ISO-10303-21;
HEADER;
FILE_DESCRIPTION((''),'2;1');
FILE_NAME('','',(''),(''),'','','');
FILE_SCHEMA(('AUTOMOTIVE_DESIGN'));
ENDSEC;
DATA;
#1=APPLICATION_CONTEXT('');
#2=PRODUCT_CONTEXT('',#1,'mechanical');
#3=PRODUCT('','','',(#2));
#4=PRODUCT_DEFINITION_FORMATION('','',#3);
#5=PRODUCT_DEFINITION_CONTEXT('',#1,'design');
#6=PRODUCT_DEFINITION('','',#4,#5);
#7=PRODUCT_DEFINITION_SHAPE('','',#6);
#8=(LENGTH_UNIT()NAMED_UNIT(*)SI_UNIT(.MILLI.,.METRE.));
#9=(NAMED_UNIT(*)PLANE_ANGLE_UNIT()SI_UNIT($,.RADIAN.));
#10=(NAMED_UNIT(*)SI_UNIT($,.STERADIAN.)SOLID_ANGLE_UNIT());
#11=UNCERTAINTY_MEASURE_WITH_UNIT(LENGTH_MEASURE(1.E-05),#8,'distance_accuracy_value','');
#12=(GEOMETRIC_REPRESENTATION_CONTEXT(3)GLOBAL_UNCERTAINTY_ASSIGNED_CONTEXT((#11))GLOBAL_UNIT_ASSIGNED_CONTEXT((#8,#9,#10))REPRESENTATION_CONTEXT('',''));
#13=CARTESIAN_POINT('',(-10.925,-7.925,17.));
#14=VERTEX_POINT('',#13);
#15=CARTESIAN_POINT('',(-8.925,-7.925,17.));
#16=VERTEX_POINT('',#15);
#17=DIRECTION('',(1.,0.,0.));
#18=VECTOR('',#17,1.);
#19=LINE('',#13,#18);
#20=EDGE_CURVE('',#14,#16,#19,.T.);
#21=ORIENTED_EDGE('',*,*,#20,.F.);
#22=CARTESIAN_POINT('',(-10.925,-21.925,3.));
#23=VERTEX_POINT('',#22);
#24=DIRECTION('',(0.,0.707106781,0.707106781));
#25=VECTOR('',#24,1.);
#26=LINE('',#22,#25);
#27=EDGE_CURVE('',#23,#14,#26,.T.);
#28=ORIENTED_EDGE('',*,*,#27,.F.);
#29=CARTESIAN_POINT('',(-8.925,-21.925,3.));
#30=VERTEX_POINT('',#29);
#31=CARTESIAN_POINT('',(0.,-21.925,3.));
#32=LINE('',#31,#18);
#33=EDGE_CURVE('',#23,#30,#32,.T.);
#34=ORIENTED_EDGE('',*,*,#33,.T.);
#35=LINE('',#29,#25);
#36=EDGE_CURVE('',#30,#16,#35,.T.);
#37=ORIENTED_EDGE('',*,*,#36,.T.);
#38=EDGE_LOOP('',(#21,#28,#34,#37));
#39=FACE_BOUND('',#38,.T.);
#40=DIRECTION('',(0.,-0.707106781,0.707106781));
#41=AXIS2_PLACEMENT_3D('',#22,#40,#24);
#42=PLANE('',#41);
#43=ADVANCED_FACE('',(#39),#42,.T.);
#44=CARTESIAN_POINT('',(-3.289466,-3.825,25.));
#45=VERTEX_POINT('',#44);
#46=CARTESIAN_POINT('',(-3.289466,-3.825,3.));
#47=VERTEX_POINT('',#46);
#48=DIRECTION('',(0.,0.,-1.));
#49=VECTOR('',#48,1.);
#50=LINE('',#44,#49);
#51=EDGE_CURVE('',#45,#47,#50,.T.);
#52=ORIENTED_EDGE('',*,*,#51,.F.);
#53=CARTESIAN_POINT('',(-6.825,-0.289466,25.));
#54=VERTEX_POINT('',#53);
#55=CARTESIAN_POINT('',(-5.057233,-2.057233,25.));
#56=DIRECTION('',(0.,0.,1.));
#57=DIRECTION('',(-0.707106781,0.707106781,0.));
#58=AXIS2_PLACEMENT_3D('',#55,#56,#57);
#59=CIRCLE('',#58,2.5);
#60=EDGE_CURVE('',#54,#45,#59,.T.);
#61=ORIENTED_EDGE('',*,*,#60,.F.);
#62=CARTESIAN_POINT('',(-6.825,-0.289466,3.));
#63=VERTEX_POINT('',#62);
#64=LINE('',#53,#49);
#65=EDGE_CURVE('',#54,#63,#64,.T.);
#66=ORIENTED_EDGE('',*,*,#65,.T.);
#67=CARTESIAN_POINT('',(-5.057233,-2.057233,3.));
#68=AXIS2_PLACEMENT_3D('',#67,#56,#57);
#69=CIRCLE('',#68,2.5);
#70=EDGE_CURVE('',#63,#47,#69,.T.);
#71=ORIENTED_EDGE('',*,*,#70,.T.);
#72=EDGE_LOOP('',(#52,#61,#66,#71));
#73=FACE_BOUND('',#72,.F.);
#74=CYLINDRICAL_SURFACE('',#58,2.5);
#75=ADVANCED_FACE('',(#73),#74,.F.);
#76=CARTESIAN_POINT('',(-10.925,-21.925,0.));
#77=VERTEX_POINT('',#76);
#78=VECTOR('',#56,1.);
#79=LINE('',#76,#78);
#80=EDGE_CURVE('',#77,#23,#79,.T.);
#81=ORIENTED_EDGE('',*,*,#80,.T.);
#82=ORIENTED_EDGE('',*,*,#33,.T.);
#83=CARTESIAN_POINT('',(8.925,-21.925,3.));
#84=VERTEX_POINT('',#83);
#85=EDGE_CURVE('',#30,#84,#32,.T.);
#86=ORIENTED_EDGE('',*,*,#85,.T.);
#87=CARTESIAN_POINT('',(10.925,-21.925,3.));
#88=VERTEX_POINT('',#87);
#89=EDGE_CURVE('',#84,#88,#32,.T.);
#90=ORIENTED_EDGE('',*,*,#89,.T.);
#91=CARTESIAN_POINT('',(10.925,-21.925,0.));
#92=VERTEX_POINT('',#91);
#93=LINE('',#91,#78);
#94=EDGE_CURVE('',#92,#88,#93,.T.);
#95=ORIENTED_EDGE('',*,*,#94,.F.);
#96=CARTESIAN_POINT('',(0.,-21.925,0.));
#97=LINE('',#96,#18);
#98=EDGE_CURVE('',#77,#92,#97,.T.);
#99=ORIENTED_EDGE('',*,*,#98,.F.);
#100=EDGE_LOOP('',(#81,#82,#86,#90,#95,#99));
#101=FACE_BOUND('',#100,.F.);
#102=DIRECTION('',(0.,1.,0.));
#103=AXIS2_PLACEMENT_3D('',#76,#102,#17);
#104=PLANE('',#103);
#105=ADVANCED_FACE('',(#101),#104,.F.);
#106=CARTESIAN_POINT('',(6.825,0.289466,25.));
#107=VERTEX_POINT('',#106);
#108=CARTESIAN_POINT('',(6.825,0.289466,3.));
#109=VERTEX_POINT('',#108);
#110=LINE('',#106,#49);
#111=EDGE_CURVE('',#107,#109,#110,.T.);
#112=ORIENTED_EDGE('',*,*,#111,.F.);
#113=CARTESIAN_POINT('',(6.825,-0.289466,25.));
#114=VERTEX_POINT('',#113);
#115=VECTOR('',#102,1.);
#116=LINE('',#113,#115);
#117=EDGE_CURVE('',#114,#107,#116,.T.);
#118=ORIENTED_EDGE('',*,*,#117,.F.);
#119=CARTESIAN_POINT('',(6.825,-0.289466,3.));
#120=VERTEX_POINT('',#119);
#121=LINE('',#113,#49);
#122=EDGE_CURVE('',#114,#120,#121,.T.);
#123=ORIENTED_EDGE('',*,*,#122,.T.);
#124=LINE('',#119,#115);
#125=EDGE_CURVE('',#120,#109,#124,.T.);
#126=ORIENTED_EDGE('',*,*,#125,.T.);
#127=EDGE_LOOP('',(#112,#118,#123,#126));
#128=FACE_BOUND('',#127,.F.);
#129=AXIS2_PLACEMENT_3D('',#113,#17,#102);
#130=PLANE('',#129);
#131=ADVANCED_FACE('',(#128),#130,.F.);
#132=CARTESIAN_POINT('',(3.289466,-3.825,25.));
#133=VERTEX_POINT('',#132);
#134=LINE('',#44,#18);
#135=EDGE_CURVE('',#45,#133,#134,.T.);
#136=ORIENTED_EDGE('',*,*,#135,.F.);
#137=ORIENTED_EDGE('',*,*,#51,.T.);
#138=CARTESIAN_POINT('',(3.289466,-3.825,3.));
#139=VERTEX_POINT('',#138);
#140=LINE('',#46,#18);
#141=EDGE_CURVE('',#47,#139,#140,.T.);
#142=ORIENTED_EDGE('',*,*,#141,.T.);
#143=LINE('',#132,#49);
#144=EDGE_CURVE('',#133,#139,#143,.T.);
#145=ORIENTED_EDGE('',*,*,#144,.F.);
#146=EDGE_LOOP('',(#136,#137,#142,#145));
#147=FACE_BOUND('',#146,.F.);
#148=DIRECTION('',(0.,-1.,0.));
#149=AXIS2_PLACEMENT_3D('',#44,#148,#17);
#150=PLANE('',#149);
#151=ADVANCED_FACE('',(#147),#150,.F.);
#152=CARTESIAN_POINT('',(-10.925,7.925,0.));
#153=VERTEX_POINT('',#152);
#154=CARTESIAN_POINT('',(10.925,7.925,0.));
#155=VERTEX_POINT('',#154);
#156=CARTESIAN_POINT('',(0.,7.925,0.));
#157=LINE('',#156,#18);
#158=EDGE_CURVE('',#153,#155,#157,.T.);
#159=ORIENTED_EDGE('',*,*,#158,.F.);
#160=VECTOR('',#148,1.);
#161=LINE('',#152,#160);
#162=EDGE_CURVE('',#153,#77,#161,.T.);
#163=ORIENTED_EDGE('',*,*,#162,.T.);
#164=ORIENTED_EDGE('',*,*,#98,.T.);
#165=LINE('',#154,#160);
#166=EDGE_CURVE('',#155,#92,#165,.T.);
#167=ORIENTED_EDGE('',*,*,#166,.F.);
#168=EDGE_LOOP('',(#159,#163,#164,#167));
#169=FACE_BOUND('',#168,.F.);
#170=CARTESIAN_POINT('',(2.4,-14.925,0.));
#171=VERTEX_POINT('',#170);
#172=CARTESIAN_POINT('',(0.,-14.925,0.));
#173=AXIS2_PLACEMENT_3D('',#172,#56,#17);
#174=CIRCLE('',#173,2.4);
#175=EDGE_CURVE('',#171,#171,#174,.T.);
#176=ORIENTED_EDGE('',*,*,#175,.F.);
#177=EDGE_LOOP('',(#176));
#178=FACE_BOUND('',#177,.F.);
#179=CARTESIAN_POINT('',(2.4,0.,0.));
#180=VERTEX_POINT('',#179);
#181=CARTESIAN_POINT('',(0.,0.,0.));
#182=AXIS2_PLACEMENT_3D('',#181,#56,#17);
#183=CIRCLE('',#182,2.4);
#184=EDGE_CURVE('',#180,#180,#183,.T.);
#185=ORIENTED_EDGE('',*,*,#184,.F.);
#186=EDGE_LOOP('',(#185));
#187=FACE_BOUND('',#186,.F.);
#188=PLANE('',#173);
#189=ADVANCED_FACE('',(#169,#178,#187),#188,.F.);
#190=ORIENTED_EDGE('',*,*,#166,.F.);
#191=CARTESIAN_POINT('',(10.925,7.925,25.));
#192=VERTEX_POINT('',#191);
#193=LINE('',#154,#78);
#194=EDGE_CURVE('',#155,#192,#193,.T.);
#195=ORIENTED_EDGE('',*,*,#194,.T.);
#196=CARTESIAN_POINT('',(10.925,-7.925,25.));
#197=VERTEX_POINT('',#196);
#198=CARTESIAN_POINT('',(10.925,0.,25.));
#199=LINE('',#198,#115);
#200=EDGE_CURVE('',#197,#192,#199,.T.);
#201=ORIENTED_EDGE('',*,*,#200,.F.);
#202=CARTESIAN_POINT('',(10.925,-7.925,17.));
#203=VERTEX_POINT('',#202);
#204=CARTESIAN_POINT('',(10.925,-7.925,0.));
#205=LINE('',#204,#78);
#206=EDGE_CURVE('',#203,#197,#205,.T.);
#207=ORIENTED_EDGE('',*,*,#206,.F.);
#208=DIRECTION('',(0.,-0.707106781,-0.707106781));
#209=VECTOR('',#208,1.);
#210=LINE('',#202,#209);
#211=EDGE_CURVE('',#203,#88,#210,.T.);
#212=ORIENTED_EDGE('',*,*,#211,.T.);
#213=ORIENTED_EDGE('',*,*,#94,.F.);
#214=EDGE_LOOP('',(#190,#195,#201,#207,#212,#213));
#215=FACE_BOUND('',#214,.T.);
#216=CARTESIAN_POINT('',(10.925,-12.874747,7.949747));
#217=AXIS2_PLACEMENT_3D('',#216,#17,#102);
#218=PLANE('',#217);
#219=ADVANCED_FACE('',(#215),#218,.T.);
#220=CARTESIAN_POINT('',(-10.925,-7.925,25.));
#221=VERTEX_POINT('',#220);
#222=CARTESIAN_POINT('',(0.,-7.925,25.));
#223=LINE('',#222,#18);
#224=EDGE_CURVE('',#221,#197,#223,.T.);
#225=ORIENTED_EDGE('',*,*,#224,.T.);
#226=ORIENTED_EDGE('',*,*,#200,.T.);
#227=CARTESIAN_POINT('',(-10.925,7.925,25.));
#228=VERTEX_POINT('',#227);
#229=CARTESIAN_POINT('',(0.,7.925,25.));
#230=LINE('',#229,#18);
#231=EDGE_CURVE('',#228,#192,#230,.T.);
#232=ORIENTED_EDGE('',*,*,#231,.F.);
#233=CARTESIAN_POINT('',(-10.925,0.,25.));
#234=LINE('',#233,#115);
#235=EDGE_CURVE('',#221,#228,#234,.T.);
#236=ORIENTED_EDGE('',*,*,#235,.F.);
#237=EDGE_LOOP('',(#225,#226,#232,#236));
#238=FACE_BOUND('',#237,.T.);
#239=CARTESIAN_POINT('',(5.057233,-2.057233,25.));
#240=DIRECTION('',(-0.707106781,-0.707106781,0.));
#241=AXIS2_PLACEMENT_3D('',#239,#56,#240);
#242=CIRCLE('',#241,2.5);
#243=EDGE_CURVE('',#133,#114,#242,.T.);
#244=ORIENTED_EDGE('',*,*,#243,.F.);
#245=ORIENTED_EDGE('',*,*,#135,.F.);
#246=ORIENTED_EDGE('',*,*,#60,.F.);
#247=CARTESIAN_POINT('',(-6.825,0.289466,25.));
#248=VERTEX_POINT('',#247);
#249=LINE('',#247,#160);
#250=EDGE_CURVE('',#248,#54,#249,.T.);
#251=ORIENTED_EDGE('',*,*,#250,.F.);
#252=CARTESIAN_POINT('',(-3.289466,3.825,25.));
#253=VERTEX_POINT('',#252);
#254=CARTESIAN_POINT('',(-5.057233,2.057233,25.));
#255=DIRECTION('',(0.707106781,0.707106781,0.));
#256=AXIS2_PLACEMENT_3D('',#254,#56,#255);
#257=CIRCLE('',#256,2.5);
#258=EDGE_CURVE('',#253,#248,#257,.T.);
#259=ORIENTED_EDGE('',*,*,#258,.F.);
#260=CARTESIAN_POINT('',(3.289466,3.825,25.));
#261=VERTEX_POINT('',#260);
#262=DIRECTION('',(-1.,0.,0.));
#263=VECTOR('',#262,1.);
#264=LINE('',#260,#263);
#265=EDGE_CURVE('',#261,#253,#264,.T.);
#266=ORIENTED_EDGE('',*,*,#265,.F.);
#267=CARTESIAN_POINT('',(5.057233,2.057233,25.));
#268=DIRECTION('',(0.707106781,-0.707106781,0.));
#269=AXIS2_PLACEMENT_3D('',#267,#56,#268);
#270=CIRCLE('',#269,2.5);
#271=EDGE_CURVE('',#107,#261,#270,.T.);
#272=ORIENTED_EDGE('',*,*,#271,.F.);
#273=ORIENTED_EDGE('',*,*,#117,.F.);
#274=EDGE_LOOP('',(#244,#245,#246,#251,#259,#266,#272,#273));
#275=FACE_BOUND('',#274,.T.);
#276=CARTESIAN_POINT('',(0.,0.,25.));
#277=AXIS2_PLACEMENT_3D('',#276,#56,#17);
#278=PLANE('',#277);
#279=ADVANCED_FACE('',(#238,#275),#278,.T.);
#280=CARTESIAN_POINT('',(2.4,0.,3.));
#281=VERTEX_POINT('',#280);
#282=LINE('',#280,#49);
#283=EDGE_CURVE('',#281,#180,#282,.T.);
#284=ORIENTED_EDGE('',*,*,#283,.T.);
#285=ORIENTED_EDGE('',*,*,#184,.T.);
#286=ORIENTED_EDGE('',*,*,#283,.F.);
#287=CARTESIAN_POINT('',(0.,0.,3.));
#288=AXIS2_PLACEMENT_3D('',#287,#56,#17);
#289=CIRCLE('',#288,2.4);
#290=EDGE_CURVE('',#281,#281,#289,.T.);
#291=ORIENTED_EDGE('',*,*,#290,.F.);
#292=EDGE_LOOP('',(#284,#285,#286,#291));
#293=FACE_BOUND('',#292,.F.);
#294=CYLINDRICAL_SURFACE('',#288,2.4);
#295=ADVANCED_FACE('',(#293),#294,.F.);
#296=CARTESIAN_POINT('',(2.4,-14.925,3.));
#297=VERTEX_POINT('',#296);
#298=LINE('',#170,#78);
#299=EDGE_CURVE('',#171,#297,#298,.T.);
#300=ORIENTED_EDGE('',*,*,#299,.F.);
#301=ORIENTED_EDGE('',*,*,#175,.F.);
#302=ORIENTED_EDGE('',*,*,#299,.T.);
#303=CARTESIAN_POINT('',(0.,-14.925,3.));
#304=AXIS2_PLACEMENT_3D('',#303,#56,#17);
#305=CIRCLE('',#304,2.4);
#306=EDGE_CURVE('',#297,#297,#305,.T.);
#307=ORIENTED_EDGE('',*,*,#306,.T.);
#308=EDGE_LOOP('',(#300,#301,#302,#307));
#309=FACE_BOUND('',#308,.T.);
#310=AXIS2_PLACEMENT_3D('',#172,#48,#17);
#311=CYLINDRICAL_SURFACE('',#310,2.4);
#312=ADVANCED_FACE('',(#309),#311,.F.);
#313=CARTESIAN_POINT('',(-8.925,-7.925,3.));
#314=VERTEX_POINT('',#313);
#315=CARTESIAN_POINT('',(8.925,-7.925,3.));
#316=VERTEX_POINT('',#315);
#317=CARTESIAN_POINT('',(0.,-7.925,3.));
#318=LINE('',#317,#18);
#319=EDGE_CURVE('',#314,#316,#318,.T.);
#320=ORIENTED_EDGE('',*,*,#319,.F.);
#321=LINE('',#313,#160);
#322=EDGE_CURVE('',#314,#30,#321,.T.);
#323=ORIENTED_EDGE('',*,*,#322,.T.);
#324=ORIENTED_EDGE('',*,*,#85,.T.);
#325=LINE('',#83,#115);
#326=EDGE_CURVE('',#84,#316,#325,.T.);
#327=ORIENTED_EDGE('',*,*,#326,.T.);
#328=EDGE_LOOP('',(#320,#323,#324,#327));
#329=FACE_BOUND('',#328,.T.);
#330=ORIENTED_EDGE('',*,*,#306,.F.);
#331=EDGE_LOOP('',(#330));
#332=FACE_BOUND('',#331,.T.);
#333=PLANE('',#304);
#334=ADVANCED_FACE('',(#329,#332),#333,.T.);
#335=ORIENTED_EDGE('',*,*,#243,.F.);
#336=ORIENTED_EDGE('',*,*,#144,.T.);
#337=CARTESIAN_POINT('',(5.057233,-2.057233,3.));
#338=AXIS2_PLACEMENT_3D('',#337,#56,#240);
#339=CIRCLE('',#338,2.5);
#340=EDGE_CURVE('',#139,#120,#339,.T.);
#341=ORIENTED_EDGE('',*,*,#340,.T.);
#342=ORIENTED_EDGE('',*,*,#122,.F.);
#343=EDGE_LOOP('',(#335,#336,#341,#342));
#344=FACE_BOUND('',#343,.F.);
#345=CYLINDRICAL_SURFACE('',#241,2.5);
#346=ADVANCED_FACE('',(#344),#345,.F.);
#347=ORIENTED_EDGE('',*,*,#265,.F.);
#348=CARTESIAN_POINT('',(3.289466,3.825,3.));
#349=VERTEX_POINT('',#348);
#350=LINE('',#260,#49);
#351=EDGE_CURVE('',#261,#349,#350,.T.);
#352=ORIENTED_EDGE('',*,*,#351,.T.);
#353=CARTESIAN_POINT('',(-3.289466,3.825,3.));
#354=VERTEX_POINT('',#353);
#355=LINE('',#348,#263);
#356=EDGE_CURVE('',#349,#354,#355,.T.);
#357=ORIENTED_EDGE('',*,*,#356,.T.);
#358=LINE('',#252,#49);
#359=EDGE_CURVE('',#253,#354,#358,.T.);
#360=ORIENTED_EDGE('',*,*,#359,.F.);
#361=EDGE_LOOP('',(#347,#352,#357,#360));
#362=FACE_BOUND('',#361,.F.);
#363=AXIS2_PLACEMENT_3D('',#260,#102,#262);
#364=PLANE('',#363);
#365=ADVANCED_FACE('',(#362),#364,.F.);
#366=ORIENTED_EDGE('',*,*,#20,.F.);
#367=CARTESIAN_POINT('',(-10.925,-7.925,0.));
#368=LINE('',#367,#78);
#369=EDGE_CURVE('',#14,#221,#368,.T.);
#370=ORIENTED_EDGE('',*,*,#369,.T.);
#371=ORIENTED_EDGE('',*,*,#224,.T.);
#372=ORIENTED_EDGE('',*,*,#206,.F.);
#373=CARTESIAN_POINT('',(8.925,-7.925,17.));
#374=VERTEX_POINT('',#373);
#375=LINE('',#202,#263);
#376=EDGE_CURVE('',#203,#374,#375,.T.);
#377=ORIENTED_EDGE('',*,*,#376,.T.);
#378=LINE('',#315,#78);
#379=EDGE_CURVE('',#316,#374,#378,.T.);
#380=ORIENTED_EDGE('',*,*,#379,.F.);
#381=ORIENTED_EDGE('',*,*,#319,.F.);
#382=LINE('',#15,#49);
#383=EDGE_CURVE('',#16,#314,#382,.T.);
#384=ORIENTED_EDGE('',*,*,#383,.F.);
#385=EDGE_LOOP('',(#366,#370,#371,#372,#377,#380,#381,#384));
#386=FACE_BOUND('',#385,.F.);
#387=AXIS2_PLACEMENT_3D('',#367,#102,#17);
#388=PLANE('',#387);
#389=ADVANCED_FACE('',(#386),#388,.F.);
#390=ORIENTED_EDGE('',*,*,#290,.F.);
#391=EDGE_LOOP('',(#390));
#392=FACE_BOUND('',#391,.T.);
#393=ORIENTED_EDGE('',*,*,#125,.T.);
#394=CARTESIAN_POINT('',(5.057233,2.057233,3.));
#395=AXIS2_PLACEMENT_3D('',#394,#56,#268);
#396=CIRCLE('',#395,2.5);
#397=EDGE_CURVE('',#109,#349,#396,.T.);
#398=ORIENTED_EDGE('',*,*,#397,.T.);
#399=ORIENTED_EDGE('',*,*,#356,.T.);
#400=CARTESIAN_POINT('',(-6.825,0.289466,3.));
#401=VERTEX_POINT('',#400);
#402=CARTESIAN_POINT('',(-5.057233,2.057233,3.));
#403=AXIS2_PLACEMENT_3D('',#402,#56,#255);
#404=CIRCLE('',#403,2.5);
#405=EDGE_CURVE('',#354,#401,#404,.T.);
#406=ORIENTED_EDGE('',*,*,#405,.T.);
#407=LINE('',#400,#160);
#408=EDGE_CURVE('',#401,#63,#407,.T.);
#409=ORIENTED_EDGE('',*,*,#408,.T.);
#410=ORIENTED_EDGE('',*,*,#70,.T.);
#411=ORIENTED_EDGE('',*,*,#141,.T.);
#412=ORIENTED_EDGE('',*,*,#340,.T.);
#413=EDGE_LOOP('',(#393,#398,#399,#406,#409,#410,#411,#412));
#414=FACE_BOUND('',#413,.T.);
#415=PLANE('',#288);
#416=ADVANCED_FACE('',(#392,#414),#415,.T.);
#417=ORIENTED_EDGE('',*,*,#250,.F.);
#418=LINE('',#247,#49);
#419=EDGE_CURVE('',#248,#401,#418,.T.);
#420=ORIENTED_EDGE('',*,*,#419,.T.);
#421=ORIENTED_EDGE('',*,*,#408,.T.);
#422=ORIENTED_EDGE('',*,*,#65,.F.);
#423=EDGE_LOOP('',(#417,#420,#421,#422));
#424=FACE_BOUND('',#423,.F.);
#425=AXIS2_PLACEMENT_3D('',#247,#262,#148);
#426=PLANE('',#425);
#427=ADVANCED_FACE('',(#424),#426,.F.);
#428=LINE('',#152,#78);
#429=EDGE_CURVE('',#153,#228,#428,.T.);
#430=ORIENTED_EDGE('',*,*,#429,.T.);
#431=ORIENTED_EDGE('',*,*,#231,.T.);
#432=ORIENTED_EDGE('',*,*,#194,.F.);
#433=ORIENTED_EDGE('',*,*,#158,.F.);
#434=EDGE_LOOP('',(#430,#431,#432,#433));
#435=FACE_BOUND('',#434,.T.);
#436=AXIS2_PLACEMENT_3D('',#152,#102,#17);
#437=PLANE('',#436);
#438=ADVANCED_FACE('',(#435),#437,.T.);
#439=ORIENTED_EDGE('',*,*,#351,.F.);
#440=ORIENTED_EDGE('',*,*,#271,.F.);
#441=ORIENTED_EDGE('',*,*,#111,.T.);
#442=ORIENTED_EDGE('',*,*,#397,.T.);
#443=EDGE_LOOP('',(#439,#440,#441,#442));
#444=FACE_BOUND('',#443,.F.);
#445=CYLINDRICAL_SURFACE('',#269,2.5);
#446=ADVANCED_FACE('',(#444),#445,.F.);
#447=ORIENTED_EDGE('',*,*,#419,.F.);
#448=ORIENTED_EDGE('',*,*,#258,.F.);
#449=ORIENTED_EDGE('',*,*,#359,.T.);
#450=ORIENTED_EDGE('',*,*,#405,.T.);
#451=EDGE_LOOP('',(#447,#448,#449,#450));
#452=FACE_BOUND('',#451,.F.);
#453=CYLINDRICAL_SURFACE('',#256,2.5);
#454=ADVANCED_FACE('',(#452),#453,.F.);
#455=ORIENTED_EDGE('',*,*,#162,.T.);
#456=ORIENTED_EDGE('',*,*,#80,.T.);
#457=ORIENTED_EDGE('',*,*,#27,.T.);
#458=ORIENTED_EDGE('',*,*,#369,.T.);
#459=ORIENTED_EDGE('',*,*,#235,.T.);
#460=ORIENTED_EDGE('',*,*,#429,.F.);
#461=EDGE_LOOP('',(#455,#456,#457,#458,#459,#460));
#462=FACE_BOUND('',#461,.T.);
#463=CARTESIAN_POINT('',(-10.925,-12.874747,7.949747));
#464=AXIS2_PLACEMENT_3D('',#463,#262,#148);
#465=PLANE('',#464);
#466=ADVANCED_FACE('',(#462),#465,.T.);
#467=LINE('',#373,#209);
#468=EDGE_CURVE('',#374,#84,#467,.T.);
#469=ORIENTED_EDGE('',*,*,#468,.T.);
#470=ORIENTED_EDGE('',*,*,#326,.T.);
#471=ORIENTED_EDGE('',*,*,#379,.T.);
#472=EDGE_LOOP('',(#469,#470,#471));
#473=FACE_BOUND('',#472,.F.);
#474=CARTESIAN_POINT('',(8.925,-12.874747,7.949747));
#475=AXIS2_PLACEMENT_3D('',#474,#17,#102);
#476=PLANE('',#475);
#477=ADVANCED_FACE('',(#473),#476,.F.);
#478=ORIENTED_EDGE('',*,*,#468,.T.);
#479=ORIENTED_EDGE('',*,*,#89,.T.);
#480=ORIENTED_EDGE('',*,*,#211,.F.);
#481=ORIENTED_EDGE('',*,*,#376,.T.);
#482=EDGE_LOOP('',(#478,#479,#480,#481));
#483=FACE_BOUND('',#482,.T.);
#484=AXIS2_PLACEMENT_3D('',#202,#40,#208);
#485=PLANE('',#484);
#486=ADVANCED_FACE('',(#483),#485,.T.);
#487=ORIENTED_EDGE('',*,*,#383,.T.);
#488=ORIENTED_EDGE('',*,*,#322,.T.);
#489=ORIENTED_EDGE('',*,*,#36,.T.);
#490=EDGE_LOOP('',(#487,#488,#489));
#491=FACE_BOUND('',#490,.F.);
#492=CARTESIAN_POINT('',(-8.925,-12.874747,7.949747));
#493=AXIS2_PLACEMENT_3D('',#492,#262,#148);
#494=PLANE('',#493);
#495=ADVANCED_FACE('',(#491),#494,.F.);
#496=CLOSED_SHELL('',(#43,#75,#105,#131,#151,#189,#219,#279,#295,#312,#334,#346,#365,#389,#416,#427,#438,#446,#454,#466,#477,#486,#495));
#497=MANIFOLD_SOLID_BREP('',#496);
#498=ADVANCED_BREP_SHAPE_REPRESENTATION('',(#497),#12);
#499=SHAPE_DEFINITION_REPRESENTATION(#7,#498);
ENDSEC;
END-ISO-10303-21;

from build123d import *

# Parameters (mm, degrees)
F0_W      = 21.85
F0_H      = 15.85
F1_DEPTH  = 25
F3_DEPTH  = 22
F4_R      = 2.4
F5_DEPTH  = 3.001
F6_W      = 21.85
F6_H      = 14
F6_R      = 2.4
F7_DEPTH  = 3
F9_DEPTH  = 2
F11_DEPTH = 2


with BuildPart() as f1:
    # F0 (on Top) → F1 (new body)
    with BuildSketch(Plane.XY):
        Rectangle(F0_W, F0_H)
    extrude(amount=F1_DEPTH)

    # F2 (on face) → F3 (cut, through all)
    with BuildSketch(Plane.XY.offset(25)):
        with BuildLine():
            Line((3.2894660941, 3.825), (-3.2894660941, 3.825))
            ThreePointArc((-3.2894660941, 3.825), (-6.825, 3.825), (-6.825, 0.2894660941))
            Line((-6.825, 0.2894660941), (-6.825, -0.2894660941))
            ThreePointArc((-6.825, -0.2894660941), (-6.825, -3.825), (-3.2894660941, -3.825))
            Line((-3.2894660941, -3.825), (3.2894660941, -3.825))
            ThreePointArc((3.2894660941, -3.825), (6.825, -3.825), (6.825, -0.2894660941))
            Line((6.825, -0.2894660941), (6.825, 0.2894660941))
            ThreePointArc((6.825, 0.2894660941), (6.825, 3.825), (3.2894660941, 3.825))
        make_face()
    extrude(amount=-F3_DEPTH, mode=Mode.SUBTRACT)

    # F4 (on face) → F5 (cut, through all)
    with BuildSketch(Plane.XY.offset(3)):
        Circle(F4_R)
    extrude(amount=-F5_DEPTH, mode=Mode.SUBTRACT)

    # F6 (on Top) → F7 (join)
    with BuildSketch(Plane.XY):
        with Locations((0, -14.925)):
            Rectangle(F6_W, F6_H)
        with Locations((0, -14.925)):
            Circle(F6_R, mode=Mode.SUBTRACT)
    extrude(amount=F7_DEPTH)

    # F8 (on face) → F9 (join)
    with BuildSketch(Plane(origin=(-10.925, 0, 0), x_dir=(0, -1, 0), z_dir=(-1, 0, 0))):
        Polygon((21.925, 3), (7.925, 17), (7.925, 3), align=None)
    extrude(amount=-F9_DEPTH)

    # F10 (on face) → F11 (join)
    with BuildSketch(Plane.YZ.offset(10.925)):
        Polygon((-7.925, 3), (-7.925, 17), (-21.925, 3), align=None)
    extrude(amount=-F11_DEPTH)


solid = f1.part
